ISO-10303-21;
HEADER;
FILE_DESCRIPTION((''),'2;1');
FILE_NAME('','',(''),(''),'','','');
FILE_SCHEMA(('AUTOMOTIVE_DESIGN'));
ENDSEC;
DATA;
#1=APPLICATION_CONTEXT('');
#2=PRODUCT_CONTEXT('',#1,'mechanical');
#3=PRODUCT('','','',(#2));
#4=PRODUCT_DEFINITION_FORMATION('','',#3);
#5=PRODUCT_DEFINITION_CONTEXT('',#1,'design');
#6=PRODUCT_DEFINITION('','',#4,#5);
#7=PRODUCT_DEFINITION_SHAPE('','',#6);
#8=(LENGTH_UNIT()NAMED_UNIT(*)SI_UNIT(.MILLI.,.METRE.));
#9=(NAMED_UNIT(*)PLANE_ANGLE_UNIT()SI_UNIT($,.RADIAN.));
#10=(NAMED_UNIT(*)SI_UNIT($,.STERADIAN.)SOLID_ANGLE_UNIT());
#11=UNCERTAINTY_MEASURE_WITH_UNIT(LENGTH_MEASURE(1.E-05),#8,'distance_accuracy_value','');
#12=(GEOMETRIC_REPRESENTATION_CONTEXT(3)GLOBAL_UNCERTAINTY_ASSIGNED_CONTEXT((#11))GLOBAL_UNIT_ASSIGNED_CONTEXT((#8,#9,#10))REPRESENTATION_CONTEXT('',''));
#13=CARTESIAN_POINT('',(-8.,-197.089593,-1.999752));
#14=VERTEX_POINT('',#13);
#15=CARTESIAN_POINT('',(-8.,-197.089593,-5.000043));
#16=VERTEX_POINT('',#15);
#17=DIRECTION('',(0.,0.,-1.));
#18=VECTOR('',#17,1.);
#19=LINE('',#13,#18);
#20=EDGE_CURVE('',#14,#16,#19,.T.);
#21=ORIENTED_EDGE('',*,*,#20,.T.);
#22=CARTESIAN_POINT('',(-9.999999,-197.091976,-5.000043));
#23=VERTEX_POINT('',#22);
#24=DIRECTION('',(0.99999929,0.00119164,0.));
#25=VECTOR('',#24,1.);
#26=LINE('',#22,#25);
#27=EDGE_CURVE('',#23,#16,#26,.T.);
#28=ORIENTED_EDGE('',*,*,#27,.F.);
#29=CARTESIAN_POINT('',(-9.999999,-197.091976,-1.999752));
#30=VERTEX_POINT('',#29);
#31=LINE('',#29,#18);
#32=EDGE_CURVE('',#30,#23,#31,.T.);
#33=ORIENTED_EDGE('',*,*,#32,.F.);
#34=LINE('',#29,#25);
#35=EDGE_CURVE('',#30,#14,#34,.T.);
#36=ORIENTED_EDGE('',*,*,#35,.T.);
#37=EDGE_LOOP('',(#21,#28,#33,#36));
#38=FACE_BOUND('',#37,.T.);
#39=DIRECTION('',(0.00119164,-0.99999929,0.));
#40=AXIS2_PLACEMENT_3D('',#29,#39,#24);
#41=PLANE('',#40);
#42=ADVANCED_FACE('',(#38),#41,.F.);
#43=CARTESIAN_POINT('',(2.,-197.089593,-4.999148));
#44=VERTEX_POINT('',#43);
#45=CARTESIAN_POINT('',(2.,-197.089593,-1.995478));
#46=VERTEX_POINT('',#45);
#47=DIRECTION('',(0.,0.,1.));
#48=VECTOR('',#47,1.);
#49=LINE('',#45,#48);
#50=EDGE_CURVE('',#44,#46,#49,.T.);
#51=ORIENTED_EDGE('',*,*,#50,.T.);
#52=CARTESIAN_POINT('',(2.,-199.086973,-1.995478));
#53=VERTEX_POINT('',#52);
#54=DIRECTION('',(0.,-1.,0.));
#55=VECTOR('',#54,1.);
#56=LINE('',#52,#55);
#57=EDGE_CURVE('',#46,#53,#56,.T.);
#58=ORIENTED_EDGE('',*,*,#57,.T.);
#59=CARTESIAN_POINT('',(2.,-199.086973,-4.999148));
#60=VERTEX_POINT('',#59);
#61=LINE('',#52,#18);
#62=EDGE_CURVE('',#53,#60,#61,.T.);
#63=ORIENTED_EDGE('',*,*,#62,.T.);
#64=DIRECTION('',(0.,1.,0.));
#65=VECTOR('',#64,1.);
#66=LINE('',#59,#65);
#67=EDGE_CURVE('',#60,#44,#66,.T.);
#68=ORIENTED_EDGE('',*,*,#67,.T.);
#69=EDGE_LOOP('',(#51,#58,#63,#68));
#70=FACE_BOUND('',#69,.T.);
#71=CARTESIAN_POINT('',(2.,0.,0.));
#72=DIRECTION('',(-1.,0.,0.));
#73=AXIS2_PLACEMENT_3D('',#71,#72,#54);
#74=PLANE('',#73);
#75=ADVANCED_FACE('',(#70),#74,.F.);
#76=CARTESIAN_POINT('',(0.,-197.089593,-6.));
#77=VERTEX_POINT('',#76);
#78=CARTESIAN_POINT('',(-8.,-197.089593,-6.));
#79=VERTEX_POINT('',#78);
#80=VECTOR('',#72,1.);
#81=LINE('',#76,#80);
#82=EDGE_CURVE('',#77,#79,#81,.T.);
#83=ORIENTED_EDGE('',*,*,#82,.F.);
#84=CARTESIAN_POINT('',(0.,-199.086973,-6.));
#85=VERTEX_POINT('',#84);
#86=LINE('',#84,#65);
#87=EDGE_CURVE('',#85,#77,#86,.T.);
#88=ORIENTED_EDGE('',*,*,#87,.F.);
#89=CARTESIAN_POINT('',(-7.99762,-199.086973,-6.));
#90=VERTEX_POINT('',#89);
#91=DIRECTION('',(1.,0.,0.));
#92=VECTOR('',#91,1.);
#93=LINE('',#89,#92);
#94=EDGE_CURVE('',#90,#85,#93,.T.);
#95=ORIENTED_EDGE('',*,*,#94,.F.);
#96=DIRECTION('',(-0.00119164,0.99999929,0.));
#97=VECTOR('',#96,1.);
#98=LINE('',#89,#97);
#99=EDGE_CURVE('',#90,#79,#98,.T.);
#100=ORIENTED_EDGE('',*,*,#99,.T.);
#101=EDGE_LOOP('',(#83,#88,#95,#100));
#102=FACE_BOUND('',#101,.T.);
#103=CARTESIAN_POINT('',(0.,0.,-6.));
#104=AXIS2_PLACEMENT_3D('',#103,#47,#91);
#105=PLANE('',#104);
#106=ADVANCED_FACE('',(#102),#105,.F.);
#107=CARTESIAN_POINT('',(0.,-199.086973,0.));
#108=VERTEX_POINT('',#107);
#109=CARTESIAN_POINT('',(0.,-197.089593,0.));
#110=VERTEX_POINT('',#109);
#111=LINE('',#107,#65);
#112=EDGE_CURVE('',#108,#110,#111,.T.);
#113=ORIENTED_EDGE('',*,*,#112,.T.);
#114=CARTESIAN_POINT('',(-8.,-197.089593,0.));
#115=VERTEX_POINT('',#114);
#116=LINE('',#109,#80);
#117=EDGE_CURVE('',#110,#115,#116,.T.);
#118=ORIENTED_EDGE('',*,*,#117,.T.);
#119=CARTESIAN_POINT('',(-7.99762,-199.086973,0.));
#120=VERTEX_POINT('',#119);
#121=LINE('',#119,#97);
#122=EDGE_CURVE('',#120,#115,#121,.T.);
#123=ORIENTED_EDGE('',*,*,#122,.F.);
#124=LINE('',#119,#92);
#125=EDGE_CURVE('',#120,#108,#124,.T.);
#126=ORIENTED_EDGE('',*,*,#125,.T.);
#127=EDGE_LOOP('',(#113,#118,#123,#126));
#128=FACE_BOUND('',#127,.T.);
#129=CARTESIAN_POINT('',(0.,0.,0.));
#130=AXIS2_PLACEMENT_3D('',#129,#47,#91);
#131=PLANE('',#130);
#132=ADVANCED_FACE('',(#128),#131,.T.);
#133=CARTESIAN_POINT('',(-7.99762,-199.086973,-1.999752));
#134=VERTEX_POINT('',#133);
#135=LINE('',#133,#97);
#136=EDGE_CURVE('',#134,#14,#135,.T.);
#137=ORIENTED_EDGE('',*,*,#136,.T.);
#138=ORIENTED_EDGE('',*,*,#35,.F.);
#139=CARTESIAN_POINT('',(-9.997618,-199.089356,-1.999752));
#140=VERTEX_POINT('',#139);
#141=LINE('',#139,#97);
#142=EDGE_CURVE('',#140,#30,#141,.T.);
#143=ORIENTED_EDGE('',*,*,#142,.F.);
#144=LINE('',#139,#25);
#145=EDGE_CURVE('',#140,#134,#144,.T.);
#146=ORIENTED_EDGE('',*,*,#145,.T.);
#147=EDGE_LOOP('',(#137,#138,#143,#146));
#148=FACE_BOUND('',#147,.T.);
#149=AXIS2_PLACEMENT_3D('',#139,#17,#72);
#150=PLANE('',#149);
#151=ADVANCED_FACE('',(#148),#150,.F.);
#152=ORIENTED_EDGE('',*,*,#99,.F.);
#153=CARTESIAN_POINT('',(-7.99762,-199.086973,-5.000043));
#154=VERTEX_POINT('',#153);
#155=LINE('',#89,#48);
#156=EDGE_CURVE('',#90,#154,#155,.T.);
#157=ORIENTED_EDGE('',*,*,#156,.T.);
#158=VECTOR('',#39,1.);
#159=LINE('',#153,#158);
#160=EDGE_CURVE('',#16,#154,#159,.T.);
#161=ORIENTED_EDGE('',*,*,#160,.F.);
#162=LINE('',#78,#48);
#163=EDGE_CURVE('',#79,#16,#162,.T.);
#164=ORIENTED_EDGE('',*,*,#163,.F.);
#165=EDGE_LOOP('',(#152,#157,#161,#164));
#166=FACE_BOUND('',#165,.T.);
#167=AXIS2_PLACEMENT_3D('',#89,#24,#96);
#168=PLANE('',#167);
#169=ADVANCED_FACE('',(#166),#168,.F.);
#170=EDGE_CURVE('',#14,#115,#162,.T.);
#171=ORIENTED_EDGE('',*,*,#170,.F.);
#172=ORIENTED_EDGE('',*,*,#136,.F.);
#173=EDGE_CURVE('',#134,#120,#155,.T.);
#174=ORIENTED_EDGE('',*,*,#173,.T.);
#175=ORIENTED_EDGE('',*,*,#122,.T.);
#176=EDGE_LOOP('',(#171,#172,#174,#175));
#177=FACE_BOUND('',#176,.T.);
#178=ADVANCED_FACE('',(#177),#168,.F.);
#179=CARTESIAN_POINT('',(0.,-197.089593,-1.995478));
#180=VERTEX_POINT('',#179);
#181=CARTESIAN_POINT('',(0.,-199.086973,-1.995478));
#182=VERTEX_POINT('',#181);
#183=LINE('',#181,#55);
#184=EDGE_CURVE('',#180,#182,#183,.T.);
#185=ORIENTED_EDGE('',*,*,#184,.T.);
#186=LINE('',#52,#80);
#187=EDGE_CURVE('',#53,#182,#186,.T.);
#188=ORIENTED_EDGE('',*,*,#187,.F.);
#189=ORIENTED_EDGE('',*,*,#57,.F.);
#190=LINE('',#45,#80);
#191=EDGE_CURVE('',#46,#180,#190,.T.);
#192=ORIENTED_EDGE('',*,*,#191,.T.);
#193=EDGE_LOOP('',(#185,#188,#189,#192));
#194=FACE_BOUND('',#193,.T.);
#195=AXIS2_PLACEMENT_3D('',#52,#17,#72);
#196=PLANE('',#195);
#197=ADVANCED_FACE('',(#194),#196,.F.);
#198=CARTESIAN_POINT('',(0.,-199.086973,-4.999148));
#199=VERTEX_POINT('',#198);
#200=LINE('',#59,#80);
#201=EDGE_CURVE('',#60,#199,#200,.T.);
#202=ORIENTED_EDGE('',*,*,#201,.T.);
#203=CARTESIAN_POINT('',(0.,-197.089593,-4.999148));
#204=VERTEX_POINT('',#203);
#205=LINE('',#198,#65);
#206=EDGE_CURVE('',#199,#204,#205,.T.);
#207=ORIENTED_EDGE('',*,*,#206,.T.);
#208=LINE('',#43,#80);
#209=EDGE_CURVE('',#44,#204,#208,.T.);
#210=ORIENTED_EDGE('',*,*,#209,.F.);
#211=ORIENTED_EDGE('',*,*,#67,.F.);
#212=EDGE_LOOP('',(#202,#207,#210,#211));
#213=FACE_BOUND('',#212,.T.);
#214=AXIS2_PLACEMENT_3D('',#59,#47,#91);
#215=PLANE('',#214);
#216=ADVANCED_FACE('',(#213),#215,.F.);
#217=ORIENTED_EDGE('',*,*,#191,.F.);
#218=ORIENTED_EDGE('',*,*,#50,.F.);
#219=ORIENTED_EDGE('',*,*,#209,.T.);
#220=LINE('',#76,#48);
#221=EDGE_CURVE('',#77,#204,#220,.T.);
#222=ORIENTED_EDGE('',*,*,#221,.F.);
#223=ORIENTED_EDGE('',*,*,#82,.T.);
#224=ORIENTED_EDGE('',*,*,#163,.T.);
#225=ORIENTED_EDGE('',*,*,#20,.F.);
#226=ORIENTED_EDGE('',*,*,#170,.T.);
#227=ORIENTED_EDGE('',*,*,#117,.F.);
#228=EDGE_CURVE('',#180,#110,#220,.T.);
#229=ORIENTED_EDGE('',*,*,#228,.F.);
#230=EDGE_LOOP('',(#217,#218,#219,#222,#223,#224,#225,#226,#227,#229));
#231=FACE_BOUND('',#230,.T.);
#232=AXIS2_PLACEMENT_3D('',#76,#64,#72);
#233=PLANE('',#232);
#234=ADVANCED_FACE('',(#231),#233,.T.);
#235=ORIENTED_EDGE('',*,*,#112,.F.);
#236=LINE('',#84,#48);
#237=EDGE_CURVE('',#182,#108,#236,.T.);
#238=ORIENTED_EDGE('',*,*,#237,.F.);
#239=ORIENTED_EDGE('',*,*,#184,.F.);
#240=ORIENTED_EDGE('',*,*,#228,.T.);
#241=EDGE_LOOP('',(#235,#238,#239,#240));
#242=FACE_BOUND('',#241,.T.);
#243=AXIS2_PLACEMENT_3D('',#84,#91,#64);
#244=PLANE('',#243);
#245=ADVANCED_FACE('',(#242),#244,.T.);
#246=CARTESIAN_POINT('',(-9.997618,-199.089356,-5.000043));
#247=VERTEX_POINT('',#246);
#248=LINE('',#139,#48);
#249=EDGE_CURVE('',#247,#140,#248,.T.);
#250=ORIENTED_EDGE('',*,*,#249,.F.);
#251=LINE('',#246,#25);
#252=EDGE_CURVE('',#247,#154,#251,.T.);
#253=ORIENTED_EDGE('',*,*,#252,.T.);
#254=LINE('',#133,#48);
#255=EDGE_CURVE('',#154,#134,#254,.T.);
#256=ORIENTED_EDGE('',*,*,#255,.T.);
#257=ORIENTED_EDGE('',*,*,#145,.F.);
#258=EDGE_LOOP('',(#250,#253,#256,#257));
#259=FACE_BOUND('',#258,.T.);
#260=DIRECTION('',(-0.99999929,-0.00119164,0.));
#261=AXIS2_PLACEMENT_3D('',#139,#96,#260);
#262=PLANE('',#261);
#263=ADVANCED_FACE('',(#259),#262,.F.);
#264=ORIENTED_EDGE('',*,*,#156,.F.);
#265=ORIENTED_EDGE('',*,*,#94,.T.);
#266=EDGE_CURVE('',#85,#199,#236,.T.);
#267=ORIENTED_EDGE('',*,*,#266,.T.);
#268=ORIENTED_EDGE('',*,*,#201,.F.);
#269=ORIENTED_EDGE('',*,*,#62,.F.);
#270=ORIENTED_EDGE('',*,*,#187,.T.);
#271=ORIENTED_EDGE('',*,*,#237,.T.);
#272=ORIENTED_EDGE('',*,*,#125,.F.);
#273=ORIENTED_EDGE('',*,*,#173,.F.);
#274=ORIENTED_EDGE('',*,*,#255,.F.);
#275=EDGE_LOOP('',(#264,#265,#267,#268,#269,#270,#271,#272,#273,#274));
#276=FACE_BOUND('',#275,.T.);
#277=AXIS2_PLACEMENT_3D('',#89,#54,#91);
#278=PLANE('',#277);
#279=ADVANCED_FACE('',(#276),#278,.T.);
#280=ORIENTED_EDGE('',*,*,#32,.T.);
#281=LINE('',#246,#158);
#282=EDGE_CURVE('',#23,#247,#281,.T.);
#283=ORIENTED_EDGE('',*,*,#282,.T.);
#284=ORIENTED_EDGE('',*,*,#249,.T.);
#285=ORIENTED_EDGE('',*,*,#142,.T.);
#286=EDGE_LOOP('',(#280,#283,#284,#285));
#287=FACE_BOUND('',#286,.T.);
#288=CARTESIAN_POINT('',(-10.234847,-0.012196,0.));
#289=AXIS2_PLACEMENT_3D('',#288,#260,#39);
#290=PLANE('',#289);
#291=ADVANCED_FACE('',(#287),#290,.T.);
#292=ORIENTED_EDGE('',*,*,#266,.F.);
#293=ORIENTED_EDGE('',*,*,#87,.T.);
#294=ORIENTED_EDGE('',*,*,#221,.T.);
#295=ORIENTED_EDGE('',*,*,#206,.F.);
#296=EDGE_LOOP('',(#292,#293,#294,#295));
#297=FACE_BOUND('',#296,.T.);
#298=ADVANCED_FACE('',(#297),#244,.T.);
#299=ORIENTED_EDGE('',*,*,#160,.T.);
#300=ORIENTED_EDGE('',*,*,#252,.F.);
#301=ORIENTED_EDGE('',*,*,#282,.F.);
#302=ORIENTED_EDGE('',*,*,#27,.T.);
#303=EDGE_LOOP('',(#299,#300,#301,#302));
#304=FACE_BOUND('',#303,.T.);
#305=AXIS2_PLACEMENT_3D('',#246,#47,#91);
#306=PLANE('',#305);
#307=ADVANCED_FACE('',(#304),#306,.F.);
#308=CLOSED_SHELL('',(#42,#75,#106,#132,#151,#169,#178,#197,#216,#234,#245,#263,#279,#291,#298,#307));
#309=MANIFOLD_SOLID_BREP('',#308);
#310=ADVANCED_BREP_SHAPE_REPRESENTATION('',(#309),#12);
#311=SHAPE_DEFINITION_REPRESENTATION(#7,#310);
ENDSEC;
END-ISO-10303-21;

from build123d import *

# Parameters (mm, degrees)
DODANIE_WYCI_GNI_CIE1_DEPTH = 6
SZKIC2_W                    = 3.003669228
SZKIC2_H                    = 1.997379701
DODANIE_WYCI_GNI_CIE2_DEPTH = 2
SZKIC3_W                    = 3.00029081
SZKIC3_H                    = 1.99738112
DODANIE_WYCI_GNI_CIE3_DEPTH = 2


with BuildPart() as part:
    # Szkic1 → Dodanie-wyciągnięcie1 (new body)
    with BuildSketch(Plane.XY):
        Polygon((0, -199.086972688), (0, -197.089592987), (-8, -197.089592987), (-7.997619842, -199.086972688), align=None)
    extrude(amount=-DODANIE_WYCI_GNI_CIE1_DEPTH)

    # Szkic2 → Dodanie-wyciągnięcie2 (add)
    with BuildSketch(Plane(origin=(0, 0, 0), x_dir=(0, 0, -1), z_dir=(1, 0, 0))):
        with Locations((3.49731299, -198.088282838)):
            Rectangle(SZKIC2_W, SZKIC2_H)
    extrude(amount=DODANIE_WYCI_GNI_CIE2_DEPTH)

    # Szkic3 → Dodanie-wyciągnięcie3 (add)
    with BuildSketch(Plane(origin=(-8.234848226, -0.009812978, 0), x_dir=(0, 0, 1), z_dir=(-0.99999929, -0.00119164, 0))):
        with Locations((-3.499897311, -198.078610496)):
            Rectangle(SZKIC3_W, SZKIC3_H)
    extrude(amount=DODANIE_WYCI_GNI_CIE3_DEPTH)


solid = part.part
